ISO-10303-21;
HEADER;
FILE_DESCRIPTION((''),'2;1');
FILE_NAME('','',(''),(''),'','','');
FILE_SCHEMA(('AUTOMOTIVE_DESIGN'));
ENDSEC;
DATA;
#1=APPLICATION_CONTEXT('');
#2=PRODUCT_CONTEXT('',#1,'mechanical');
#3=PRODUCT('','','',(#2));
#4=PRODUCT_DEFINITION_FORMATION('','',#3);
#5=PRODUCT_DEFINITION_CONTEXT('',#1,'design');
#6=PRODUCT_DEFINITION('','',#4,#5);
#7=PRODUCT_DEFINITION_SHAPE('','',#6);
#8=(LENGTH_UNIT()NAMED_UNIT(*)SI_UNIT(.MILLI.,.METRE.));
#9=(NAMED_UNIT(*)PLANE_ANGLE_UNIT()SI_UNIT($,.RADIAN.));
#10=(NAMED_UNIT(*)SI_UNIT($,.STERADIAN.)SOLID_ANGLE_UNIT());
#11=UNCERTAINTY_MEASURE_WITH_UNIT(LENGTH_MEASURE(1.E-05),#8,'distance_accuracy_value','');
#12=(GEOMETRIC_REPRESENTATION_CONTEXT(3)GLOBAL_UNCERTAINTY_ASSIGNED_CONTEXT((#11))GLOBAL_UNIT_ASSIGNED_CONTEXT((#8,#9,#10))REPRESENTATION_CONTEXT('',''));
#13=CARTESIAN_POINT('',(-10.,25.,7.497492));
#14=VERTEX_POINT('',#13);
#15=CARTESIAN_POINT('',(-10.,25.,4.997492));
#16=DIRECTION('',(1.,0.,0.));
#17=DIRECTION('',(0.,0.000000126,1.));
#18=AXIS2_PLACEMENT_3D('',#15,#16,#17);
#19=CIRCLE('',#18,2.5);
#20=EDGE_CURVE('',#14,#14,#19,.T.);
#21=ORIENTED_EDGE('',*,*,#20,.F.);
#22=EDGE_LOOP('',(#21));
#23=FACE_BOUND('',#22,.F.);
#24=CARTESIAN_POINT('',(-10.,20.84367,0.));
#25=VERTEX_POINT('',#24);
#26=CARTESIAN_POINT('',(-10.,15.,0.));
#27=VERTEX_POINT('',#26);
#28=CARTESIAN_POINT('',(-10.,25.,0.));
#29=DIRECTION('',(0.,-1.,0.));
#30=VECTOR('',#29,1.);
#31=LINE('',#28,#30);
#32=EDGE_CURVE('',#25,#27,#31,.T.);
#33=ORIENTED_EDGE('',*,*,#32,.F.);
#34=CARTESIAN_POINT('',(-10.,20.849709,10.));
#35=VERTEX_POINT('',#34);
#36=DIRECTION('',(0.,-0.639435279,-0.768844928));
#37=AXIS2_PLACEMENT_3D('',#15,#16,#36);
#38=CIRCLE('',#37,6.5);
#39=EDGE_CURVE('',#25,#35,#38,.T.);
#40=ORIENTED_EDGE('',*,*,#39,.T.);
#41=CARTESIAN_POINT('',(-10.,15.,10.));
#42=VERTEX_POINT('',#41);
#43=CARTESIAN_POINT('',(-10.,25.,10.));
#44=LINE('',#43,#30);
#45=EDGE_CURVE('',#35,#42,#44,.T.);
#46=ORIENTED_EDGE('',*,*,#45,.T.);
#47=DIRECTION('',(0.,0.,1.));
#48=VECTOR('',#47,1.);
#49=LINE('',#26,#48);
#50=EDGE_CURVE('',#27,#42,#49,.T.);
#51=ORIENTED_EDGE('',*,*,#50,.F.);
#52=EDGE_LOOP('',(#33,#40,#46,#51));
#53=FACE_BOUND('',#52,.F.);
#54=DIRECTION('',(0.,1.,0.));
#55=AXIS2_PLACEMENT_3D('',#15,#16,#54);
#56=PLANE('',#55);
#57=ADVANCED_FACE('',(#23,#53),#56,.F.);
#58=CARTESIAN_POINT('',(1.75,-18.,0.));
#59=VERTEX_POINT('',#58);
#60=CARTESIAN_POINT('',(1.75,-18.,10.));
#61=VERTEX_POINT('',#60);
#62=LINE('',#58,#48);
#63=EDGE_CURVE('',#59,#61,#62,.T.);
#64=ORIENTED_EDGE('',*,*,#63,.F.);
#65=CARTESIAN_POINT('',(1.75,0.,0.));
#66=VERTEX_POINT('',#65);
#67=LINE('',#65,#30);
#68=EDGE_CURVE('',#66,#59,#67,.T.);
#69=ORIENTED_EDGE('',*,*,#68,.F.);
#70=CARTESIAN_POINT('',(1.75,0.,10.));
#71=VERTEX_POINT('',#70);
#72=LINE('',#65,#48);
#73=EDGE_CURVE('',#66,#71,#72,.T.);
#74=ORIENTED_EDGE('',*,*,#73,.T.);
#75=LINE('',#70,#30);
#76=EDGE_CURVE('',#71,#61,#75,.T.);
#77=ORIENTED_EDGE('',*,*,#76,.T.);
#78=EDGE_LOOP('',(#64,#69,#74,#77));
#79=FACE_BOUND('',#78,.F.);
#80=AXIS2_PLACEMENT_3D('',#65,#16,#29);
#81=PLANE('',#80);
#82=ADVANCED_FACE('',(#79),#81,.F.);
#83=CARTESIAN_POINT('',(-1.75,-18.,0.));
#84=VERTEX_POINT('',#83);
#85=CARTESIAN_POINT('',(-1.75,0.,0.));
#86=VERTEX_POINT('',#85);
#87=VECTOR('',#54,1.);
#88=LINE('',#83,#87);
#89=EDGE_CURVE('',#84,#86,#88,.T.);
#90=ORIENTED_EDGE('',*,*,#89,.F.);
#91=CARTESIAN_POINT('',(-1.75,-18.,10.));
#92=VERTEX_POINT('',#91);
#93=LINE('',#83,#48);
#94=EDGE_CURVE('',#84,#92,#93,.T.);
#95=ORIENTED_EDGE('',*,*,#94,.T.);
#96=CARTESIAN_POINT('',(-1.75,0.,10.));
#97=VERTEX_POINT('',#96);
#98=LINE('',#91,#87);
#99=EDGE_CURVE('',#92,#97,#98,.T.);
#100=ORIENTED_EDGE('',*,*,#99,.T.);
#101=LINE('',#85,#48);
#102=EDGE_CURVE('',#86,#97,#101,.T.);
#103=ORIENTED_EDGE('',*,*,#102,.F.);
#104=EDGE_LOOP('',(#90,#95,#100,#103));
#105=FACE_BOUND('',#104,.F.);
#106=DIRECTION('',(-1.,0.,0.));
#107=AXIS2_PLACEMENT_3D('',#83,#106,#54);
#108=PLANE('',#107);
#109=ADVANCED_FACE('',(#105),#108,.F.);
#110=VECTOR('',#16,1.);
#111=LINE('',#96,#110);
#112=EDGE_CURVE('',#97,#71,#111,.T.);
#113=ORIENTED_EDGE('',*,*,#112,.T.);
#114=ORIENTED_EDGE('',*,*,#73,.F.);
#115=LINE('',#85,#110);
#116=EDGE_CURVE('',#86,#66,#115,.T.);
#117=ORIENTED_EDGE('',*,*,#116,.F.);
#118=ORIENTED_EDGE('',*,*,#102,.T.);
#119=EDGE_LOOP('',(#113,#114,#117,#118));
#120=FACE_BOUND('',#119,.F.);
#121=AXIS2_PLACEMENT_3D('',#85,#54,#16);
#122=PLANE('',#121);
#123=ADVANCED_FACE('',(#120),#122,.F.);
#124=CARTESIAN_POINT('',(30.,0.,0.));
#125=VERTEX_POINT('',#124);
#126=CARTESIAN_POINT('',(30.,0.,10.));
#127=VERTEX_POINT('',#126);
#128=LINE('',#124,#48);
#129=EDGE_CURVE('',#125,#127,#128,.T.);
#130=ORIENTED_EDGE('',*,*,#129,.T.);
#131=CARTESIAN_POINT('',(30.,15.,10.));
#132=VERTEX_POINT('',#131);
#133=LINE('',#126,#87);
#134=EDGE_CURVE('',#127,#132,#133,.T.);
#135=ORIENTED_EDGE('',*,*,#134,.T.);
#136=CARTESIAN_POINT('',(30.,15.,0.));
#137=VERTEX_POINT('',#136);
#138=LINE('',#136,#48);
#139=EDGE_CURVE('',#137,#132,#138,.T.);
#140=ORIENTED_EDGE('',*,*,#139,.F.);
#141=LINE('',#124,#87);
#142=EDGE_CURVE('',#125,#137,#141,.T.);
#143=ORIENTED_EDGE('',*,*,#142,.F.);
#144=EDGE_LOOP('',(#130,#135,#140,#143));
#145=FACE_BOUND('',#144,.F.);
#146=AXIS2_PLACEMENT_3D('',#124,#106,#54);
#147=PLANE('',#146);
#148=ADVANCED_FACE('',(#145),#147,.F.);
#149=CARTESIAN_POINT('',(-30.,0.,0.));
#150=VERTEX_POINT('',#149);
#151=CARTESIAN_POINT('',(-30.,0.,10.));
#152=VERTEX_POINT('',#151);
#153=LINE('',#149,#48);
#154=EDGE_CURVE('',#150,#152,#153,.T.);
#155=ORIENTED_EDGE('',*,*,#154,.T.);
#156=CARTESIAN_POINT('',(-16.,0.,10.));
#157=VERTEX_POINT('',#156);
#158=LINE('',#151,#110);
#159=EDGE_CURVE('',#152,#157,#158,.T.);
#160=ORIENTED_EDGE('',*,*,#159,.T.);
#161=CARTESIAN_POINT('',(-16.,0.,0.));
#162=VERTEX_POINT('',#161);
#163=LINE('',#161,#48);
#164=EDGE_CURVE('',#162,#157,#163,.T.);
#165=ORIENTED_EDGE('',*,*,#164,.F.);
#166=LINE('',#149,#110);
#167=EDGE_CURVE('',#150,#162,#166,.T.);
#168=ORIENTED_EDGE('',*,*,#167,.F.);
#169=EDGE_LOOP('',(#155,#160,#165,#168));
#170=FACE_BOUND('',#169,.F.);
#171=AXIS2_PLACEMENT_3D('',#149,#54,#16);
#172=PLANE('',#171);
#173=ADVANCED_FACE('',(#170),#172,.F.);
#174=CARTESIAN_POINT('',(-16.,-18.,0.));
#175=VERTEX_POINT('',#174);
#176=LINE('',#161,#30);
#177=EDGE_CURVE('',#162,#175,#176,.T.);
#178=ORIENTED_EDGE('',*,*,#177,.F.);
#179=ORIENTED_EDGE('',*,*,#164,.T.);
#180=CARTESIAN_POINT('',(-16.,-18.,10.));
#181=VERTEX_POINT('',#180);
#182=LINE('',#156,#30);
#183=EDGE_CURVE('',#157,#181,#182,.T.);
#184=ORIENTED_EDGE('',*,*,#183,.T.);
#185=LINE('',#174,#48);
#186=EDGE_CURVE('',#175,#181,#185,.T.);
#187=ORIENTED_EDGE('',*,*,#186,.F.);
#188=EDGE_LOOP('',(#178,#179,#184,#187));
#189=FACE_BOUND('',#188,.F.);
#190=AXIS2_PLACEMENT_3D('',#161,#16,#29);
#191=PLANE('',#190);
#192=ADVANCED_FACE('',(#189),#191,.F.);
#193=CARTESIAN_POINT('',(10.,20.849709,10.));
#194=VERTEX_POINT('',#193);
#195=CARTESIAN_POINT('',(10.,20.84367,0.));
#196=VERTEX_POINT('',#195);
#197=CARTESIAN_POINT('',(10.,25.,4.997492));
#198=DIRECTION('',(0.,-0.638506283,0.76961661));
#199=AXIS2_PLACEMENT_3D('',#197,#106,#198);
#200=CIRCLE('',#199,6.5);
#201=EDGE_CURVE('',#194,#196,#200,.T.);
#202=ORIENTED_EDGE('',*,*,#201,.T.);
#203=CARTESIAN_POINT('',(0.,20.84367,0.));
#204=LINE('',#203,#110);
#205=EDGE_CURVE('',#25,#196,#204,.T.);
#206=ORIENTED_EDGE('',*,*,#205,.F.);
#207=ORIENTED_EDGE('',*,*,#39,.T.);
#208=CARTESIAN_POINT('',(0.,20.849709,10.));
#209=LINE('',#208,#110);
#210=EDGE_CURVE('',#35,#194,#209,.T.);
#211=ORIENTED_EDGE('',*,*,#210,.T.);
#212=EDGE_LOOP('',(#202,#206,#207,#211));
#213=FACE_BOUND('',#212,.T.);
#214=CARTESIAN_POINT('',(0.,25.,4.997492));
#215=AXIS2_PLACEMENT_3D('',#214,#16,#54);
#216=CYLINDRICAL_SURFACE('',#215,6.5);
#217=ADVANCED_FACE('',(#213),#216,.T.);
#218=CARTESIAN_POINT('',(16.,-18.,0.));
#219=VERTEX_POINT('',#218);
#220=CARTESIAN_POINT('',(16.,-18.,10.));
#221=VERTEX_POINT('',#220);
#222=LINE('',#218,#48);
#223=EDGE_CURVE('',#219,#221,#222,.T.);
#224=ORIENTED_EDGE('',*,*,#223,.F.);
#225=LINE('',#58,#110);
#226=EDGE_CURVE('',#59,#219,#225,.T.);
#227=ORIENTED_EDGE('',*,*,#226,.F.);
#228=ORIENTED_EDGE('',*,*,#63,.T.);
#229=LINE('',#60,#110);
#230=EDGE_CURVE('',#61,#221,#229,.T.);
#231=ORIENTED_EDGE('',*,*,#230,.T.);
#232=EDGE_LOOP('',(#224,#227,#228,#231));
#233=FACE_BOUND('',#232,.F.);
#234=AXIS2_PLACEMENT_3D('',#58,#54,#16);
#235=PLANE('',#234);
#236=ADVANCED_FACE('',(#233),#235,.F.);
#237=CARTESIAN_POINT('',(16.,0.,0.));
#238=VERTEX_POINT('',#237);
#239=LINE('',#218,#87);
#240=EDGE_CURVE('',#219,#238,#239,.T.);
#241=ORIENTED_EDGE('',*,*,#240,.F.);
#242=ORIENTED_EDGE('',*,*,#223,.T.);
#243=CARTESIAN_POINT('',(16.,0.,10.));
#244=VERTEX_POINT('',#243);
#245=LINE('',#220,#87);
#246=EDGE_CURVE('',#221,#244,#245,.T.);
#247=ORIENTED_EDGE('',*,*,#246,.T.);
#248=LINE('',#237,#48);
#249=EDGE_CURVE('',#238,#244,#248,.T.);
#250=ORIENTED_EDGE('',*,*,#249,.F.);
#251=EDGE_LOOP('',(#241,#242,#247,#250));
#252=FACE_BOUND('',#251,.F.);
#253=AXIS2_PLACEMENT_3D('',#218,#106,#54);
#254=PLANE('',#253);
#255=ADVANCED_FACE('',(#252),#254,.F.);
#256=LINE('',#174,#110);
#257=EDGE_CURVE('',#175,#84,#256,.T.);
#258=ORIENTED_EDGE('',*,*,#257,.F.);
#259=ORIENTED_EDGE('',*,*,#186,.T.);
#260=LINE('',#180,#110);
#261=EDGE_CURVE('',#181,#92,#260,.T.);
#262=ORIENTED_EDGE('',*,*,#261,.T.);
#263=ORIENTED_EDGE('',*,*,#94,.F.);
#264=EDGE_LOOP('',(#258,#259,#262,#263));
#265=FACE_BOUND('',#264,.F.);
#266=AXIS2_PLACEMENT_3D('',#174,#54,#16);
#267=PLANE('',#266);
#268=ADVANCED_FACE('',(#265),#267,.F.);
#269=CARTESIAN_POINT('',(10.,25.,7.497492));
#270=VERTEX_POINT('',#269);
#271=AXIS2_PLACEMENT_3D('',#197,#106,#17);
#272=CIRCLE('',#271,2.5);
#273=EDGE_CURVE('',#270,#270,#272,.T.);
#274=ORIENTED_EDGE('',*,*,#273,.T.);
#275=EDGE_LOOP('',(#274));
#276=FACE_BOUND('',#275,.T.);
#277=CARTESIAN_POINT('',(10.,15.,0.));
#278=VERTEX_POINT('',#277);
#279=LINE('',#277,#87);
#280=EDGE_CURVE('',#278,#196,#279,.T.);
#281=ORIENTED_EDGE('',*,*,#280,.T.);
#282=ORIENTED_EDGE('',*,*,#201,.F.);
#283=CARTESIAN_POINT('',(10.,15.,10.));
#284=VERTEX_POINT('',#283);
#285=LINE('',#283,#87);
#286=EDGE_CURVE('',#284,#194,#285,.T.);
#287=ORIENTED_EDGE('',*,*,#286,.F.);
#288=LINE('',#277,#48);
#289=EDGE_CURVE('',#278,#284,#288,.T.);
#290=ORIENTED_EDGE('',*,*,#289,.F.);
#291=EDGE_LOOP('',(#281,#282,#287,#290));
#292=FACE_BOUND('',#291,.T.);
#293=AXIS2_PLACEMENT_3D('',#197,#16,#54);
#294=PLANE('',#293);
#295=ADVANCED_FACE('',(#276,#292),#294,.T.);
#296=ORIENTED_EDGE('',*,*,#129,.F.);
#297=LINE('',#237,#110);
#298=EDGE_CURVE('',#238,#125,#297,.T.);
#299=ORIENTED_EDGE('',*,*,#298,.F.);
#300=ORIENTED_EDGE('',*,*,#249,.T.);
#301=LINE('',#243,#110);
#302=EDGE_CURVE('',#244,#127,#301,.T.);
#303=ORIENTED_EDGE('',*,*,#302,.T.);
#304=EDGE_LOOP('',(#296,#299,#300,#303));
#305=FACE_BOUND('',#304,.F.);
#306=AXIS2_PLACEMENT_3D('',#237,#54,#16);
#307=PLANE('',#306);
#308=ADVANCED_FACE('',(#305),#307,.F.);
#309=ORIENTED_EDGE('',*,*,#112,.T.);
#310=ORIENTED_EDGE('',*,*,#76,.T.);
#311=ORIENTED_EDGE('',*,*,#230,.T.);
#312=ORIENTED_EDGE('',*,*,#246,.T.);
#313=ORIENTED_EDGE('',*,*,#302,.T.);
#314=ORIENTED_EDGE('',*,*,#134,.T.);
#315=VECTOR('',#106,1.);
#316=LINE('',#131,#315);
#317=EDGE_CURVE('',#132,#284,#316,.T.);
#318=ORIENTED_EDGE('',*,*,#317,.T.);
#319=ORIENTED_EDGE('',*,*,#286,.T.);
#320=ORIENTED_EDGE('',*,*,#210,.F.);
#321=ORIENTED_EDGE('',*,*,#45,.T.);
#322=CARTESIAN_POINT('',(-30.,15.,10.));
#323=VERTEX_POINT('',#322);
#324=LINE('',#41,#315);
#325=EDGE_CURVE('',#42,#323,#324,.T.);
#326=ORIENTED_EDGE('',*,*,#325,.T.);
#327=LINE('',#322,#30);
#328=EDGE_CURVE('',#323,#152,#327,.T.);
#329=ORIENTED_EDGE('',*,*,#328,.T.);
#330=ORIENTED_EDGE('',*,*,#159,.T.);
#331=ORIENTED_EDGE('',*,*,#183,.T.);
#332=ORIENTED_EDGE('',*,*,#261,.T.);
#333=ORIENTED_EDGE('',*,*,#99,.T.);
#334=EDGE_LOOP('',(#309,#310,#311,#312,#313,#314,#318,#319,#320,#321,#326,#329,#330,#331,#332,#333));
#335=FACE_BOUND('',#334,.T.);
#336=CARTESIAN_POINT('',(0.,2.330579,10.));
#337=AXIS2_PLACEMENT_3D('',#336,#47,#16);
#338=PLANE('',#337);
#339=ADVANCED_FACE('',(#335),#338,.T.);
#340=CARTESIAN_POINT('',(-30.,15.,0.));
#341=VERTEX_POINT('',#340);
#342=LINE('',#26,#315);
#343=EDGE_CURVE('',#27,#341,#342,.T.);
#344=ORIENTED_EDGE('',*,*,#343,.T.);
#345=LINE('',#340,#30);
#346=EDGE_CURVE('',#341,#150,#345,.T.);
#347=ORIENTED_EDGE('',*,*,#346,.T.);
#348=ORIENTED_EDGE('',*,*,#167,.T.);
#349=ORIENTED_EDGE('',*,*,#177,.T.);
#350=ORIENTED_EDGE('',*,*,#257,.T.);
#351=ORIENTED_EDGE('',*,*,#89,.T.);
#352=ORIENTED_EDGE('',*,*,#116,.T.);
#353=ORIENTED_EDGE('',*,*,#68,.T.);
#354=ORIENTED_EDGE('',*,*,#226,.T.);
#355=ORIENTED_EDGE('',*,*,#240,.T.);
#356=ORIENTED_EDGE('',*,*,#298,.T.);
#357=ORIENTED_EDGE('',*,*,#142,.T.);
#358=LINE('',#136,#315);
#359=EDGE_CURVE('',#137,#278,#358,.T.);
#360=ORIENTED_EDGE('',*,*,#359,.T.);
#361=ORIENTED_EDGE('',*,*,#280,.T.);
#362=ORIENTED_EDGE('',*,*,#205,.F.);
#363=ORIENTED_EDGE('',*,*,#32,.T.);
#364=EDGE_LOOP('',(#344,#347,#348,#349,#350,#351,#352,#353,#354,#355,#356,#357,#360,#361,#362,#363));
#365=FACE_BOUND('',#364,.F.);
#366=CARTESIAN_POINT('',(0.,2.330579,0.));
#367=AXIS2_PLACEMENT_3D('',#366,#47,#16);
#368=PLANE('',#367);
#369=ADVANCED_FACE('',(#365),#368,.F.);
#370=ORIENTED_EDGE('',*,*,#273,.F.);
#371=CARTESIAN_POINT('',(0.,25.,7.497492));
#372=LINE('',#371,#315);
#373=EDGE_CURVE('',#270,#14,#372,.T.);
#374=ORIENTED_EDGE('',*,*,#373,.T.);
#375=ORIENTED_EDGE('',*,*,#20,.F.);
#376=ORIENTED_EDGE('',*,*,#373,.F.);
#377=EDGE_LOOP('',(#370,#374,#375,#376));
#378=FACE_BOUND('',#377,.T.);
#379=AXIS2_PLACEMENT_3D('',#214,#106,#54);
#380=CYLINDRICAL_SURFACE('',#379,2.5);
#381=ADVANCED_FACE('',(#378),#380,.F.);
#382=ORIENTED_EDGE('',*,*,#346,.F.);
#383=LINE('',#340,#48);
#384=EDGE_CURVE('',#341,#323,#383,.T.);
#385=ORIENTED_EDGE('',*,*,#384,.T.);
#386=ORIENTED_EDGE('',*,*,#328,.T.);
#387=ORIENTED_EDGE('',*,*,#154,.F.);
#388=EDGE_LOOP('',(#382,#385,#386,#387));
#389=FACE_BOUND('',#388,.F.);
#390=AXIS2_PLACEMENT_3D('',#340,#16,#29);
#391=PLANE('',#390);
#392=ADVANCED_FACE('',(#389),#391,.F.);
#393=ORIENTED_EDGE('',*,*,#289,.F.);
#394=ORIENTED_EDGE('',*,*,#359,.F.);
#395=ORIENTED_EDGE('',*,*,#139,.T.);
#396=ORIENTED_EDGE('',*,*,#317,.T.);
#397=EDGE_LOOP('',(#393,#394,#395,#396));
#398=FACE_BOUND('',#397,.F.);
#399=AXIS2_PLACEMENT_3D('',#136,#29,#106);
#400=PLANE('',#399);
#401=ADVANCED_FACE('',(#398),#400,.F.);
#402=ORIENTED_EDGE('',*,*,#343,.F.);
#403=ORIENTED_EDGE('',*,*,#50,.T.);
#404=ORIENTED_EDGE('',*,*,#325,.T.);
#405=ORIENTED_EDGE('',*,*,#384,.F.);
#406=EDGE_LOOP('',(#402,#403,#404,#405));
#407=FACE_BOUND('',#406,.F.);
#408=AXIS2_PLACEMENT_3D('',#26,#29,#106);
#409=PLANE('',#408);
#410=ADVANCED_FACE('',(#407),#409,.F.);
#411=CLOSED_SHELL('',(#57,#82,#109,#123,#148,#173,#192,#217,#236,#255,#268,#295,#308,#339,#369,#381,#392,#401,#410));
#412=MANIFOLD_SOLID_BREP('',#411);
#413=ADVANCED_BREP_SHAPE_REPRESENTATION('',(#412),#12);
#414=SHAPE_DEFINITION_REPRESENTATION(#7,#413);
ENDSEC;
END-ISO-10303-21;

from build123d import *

# Parameters (mm, degrees)
F1_DEPTH = 10
F2_R     = 6.5
F2_R_2   = 2.5
F3_DEPTH = 10
F4_DEPTH = 12.5


with BuildPart() as f1:
    # F0 (on Top) → F1 (new body)
    with BuildSketch(Plane.XY):
        Polygon((-30, 15), (-30, 0), (-16, 0), (-16, -18), (-1.75, -18), (-1.75, 0), (0, 0), (1.75, 0), (1.75, -18), (16, -18), (16, 0), (30, 0), (30, 15), (10, 15), (10, 25), (0, 25), (-10, 25), (-10, 15), align=None)
    extrude(amount=F1_DEPTH)

    # F2 (on Right) → F3 (join, symmetric)
    with BuildSketch(Plane.YZ):
        with Locations((24.9999996855, 4.9974920324)):
            Circle(F2_R)
        with Locations((24.9999996855, 4.9974920324)):
            Circle(F2_R_2, mode=Mode.SUBTRACT)
    extrude(amount=F3_DEPTH, both=True)

    # F2 (on Right) → F4 (cut, symmetric)
    with BuildSketch(Plane.YZ):
        with Locations((24.9999996855, 4.9974920324)):
            Circle(F2_R_2)
    extrude(amount=F4_DEPTH, both=True, mode=Mode.SUBTRACT)


solid = f1.part
